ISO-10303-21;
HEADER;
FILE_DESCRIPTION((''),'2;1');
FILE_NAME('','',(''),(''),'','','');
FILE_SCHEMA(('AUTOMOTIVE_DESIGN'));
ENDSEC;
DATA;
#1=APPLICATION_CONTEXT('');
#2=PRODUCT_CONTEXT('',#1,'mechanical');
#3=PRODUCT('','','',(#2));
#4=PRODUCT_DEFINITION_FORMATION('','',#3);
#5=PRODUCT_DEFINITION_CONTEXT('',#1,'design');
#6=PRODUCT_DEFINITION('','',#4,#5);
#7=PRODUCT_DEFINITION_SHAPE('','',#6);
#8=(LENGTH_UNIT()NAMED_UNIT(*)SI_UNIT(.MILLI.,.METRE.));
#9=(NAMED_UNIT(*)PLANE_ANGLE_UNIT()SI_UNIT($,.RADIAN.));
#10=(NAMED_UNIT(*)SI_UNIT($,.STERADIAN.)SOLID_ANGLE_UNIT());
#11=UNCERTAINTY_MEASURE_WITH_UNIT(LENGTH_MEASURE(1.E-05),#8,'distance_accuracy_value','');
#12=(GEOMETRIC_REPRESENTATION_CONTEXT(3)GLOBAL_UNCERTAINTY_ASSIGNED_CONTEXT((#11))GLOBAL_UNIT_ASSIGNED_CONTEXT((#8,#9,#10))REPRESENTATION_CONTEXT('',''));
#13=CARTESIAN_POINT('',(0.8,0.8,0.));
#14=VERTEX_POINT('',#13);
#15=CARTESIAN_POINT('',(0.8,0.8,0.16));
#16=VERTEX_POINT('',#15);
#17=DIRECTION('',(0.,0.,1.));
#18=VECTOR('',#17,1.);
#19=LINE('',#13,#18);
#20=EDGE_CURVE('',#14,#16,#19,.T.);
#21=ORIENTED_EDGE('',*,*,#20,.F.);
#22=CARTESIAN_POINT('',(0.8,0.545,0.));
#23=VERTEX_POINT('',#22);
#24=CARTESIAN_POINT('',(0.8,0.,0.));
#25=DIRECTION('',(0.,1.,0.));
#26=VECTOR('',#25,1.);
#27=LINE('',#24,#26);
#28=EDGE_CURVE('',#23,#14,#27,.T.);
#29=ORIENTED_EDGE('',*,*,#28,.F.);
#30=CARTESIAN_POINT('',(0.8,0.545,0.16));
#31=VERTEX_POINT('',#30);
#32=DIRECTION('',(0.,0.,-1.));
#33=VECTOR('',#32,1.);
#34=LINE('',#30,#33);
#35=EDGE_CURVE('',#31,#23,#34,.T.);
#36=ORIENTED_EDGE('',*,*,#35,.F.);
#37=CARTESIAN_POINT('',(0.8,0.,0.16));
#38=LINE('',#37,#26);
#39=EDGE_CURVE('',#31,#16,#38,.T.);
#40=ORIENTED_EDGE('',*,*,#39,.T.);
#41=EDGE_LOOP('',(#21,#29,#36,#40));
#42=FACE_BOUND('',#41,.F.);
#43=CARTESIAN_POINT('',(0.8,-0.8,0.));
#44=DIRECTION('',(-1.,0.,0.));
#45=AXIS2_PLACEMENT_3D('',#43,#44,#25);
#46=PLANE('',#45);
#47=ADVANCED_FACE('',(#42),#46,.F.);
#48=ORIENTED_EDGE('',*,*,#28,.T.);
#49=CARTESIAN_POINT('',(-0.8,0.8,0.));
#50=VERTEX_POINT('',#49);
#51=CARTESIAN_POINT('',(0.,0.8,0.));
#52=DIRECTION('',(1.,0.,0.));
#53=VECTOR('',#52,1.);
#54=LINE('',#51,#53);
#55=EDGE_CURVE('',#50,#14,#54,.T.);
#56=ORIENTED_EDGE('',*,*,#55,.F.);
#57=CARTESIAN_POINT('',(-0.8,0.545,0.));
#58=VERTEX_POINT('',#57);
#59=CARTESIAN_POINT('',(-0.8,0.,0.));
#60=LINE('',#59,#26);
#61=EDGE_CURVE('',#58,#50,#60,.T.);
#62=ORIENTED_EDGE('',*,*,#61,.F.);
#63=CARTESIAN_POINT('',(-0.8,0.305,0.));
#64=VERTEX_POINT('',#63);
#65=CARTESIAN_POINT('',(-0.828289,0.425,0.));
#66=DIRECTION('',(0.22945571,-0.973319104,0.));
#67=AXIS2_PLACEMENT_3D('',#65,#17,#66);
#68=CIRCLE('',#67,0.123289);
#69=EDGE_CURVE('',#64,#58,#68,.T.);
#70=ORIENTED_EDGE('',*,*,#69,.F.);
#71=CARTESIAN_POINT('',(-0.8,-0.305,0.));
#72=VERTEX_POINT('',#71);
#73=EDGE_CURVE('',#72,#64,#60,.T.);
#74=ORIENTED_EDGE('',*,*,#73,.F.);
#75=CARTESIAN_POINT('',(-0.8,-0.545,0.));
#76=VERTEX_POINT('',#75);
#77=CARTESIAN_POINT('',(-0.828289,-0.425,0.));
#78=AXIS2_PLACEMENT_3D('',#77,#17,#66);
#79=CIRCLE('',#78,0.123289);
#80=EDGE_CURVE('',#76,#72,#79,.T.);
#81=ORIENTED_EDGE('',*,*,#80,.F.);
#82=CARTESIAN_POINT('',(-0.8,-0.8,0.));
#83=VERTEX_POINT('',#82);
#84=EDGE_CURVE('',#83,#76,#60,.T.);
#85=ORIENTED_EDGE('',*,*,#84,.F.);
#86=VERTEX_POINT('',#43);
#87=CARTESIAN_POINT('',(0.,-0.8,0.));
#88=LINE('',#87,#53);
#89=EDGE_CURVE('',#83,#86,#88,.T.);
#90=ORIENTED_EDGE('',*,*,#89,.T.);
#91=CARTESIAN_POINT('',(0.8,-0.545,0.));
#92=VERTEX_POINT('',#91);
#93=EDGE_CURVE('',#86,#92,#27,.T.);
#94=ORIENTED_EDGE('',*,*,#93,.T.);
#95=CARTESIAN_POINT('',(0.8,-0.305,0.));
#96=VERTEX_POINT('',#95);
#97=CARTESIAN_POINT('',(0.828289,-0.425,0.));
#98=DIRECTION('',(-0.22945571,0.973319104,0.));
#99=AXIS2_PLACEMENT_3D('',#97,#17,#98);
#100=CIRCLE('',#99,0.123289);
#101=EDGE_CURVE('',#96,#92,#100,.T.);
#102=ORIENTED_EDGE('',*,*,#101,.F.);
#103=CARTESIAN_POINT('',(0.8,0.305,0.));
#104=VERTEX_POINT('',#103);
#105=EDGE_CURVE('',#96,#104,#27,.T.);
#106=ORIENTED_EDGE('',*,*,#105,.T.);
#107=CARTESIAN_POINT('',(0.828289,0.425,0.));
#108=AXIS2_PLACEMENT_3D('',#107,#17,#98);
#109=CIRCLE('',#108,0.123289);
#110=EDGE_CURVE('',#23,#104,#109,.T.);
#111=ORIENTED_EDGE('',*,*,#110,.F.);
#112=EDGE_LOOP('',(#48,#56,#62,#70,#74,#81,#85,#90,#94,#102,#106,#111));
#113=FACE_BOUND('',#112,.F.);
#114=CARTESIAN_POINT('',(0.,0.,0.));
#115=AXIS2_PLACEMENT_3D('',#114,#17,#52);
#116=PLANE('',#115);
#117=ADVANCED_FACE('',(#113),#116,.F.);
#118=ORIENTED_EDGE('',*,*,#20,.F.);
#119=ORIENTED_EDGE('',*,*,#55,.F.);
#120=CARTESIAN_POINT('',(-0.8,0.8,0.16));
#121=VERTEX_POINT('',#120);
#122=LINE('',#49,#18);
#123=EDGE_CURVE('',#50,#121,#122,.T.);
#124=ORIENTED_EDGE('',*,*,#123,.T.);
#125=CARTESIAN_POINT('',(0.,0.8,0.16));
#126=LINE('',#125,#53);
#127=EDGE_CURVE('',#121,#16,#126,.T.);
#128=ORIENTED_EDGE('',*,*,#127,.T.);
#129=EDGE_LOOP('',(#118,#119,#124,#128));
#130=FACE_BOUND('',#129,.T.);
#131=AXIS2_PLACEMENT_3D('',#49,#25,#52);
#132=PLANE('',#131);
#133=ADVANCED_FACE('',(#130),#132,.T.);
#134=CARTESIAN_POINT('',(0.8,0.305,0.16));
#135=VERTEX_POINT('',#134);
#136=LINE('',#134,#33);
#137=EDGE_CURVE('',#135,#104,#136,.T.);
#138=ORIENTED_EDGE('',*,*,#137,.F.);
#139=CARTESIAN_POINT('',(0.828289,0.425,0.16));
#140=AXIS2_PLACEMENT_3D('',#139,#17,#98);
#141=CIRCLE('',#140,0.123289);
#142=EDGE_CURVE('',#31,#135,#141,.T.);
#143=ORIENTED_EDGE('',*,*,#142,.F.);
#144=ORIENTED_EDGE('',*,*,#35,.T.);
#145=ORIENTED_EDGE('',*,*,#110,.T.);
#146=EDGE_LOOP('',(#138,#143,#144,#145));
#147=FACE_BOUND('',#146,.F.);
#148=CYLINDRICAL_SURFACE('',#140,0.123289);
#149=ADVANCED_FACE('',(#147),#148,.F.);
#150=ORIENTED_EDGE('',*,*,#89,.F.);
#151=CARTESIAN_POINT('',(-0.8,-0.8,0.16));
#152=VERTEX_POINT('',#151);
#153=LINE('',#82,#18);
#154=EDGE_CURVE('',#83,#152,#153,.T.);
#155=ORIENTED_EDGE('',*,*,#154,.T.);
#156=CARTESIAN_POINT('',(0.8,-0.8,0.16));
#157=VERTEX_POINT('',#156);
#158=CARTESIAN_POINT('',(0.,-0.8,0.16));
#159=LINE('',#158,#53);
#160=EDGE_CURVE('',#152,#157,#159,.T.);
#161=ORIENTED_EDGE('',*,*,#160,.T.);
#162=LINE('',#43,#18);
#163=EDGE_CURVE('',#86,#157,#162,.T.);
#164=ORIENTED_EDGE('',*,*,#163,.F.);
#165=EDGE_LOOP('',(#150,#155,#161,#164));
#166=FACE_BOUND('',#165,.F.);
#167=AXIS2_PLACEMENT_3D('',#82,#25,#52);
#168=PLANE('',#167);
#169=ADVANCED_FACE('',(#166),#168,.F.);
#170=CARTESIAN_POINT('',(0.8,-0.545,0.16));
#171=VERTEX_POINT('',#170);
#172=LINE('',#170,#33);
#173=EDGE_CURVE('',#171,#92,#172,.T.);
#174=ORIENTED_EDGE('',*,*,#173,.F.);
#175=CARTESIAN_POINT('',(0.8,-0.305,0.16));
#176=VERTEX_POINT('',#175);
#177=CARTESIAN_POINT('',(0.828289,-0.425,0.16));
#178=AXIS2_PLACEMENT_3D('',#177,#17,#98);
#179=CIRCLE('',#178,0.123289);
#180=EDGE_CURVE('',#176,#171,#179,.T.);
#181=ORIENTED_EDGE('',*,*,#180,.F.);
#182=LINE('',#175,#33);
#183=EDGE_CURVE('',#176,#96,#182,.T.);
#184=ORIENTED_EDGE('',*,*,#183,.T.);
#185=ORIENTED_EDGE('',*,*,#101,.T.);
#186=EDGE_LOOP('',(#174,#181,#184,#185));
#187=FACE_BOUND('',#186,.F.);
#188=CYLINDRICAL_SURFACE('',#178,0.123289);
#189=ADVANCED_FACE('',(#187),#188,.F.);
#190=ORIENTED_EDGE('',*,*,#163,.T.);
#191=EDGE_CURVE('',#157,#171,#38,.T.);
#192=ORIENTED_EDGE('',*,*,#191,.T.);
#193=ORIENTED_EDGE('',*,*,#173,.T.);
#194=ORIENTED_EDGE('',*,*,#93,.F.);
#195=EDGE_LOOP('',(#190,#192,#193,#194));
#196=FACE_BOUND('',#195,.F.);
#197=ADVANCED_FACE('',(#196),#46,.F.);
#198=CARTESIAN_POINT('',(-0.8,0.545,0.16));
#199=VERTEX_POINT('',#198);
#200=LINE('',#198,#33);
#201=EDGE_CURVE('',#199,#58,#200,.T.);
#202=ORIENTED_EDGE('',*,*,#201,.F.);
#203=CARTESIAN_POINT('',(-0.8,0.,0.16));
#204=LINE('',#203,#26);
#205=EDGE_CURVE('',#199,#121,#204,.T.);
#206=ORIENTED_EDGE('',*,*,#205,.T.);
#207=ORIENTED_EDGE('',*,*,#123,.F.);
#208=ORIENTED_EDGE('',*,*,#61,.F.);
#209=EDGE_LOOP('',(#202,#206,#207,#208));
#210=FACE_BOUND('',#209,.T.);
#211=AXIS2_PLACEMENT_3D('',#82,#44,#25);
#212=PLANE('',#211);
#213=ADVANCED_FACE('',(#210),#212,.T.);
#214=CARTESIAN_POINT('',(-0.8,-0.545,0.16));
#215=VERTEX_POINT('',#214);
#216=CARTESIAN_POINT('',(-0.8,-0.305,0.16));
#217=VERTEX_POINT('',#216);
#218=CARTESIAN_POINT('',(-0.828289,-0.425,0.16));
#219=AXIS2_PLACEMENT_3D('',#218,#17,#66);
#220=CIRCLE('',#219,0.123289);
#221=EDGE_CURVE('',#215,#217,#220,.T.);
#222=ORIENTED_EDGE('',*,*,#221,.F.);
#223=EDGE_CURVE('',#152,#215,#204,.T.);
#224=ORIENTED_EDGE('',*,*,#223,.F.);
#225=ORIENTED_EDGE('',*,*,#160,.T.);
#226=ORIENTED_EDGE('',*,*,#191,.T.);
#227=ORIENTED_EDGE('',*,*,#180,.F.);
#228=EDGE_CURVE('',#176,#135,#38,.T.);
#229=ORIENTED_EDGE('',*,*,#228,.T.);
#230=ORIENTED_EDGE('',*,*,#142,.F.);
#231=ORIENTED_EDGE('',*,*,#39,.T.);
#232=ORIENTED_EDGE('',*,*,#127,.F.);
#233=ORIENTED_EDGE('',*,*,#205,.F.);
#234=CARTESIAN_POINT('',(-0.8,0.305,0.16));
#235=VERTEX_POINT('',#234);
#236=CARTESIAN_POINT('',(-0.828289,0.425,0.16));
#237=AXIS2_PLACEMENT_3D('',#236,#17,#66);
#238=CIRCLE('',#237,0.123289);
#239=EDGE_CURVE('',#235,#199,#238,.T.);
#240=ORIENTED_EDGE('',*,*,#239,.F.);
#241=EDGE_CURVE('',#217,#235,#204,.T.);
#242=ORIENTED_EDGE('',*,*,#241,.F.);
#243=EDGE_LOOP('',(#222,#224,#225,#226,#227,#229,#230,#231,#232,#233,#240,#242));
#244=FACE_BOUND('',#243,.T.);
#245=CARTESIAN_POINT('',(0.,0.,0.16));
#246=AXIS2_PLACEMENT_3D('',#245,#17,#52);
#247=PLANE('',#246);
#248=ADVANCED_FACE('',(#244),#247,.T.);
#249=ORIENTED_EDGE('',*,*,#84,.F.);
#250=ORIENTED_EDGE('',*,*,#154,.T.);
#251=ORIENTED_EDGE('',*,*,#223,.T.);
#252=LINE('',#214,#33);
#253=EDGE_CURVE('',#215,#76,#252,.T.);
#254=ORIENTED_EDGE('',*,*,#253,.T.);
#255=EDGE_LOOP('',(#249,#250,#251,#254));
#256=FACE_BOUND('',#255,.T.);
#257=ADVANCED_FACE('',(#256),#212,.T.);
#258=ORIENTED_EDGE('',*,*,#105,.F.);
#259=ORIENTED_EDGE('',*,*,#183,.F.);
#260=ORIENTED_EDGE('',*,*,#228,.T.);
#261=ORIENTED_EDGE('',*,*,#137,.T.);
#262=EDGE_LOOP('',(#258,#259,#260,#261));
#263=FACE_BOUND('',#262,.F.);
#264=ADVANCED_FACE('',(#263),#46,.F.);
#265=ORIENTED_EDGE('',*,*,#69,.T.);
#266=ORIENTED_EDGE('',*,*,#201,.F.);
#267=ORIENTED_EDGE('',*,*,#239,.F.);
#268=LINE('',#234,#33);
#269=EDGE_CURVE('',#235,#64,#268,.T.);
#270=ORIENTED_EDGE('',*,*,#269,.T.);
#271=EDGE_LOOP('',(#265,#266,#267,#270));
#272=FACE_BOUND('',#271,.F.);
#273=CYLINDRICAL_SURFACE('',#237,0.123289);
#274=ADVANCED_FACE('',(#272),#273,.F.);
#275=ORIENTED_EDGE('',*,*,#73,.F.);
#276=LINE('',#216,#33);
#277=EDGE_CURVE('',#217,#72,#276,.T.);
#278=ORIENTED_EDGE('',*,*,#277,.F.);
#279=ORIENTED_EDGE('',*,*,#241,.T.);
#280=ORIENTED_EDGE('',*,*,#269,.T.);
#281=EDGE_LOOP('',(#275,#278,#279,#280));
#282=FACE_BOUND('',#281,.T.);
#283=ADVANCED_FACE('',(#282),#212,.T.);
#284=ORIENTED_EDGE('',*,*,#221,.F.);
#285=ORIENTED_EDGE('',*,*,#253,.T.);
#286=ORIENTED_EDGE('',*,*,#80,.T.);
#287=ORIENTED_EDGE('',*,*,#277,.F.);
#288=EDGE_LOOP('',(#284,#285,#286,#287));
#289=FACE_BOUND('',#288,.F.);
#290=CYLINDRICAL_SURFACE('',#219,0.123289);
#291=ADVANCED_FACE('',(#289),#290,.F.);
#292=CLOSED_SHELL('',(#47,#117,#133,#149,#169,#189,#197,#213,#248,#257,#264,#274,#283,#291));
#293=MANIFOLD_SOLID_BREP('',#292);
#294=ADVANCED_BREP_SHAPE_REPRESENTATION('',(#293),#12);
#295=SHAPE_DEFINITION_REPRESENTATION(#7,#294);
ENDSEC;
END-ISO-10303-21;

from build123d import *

# Parameters (mm, degrees)
SKETCH_W     = 1.6
SKETCH_H     = 1.6
PAD_DEPTH    = 0.16
POCKET_DEPTH = 0.161


with BuildPart() as part:
    # Sketch → Pad (new body)
    with BuildSketch(Plane.XY):
        Rectangle(SKETCH_W, SKETCH_H)
    extrude(amount=PAD_DEPTH)

    # Sketch001 (on Face6 of Pad) → Pocket (cut, through all)
    with BuildSketch(Plane.XY.offset(0.16)):
        with BuildLine():
            ThreePointArc((-0.8, 0.305), (-0.705, 0.425), (-0.8, 0.545))
            Line((-0.8, 0.545), (-0.8, 0.305))
        make_face()
        with BuildLine():
            ThreePointArc((0.8, 0.545), (0.705, 0.425), (0.8, 0.305))
            Line((0.8, 0.545), (0.8, 0.305))
        make_face()
        with BuildLine():
            ThreePointArc((-0.8, -0.545), (-0.705, -0.425), (-0.8, -0.305))
            Line((-0.8, -0.305), (-0.8, -0.545))
        make_face()
        with BuildLine():
            ThreePointArc((0.8, -0.305), (0.705, -0.425), (0.8, -0.545))
            Line((0.8, -0.305), (0.8, -0.545))
        make_face()
    extrude(amount=-POCKET_DEPTH, mode=Mode.SUBTRACT)


solid = part.part
